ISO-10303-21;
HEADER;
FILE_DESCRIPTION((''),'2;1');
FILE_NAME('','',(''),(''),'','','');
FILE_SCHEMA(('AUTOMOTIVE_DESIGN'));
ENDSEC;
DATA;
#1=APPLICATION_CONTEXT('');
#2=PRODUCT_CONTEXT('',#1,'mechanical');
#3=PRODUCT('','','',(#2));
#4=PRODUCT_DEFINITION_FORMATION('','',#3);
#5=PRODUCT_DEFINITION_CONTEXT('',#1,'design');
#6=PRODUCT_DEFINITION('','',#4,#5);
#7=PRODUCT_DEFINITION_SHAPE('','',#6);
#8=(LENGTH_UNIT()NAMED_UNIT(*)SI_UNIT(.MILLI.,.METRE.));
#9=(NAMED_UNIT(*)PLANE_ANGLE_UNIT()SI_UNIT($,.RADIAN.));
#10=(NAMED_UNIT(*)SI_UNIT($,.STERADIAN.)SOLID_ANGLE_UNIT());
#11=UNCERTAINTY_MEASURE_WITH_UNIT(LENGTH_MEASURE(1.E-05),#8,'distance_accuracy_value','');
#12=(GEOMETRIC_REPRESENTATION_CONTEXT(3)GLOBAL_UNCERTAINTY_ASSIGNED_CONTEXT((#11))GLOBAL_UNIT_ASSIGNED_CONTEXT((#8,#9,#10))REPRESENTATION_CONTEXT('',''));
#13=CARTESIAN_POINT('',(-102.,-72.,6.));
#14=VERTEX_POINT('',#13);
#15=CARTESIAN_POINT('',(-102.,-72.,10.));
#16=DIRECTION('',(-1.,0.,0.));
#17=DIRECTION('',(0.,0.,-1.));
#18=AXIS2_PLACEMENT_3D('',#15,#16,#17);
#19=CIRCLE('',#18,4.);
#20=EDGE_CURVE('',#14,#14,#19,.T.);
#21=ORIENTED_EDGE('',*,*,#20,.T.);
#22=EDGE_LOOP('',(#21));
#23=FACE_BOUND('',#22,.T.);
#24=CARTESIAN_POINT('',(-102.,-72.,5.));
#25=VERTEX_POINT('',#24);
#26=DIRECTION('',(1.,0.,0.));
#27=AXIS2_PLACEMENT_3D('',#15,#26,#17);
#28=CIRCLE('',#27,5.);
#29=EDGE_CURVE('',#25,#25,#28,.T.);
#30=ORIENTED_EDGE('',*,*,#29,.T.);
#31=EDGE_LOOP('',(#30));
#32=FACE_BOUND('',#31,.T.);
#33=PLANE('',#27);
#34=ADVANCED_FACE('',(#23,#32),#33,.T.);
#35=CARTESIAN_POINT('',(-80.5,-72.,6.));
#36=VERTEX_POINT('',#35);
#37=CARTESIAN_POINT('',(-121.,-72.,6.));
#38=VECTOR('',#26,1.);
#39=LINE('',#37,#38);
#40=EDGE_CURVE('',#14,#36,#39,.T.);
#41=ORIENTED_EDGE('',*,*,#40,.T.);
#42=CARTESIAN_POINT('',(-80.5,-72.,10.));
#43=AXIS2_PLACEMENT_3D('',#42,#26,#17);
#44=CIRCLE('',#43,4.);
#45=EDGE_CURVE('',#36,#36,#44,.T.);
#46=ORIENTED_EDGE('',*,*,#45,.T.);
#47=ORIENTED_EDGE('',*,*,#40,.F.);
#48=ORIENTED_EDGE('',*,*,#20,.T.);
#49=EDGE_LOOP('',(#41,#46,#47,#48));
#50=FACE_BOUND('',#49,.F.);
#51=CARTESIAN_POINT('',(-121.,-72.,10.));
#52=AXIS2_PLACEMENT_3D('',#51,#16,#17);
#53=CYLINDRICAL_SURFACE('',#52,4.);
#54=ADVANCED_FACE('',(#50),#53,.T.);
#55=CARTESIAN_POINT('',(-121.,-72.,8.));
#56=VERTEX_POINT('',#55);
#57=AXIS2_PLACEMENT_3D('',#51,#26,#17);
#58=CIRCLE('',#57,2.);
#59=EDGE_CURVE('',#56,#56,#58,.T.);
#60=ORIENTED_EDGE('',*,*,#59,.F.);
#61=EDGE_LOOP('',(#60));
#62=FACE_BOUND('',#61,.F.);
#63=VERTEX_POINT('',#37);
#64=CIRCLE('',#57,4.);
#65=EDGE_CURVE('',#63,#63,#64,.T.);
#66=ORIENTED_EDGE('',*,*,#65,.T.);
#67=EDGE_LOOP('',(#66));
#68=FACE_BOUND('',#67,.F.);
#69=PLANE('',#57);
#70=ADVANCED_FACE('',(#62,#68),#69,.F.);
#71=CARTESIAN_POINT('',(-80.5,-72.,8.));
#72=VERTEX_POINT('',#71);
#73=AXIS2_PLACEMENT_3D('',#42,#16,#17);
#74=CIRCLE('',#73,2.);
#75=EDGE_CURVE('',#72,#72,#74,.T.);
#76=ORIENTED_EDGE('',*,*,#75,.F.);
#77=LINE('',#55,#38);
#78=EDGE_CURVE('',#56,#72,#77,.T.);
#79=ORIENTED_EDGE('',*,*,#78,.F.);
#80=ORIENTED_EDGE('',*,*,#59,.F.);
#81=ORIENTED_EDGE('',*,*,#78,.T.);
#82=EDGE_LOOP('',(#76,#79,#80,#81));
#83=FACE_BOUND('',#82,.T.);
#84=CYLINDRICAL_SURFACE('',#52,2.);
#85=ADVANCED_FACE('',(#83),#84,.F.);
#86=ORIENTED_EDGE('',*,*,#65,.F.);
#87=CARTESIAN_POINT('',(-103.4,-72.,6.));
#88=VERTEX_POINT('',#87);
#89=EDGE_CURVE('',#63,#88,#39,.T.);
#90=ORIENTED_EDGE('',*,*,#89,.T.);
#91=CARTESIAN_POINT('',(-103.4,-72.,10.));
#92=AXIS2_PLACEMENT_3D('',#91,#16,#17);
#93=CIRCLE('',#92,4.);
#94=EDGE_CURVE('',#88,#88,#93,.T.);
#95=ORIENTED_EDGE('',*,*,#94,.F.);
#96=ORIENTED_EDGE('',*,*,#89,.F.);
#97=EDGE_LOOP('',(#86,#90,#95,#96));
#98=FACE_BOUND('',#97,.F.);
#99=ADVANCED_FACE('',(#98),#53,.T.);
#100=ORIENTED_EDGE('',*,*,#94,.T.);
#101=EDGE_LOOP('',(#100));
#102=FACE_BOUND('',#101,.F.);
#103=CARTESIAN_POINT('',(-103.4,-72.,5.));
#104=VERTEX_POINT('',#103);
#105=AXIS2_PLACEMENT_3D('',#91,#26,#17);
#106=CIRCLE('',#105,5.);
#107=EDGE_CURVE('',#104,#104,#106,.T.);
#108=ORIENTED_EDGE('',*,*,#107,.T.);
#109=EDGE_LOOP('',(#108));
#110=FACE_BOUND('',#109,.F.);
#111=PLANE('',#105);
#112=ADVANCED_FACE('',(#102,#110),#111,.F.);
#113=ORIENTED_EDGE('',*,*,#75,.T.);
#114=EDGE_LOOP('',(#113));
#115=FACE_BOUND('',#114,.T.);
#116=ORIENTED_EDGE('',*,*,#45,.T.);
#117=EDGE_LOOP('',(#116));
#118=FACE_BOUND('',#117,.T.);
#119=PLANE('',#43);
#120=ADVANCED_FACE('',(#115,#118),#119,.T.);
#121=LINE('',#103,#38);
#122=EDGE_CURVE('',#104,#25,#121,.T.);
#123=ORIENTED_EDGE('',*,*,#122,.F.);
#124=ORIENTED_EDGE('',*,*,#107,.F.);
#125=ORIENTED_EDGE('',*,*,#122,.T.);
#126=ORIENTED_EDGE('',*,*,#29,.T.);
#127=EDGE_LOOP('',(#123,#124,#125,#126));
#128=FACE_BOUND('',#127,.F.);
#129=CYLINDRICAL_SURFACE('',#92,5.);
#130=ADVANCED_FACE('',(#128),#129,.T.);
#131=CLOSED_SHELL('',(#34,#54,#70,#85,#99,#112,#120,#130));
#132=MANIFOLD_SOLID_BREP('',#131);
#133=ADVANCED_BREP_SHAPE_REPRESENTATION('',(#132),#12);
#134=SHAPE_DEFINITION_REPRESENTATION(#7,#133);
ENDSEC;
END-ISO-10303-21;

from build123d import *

# Parameters (mm, degrees)
CYLINDER145_R     = 2
CYLINDER145_DEPTH = 47.8
CYLINDER106_R     = 5
CYLINDER106_DEPTH = 1.4
CYLINDER093_R     = 4
CYLINDER093_DEPTH = 40.5


with BuildPart() as cylinder145:
    # Cylinder145 → Cylinder145 (new body)
    with BuildSketch(Plane(origin=(-125, -82, 10), x_dir=(0, 0, -1), z_dir=(1, 0, 0))):
        Circle(CYLINDER145_R)
    extrude(amount=CYLINDER145_DEPTH)


with BuildPart() as cylinder106:
    # Cylinder106 → Cylinder106 (new body)
    with BuildSketch(Plane(origin=(-107.4, -82, 10), x_dir=(0, 0, -1), z_dir=(1, 0, 0))):
        Circle(CYLINDER106_R)
    extrude(amount=CYLINDER106_DEPTH)


with BuildPart() as cut098:
    # Cylinder093 → Cylinder093 (new body)
    with BuildSketch(Plane(origin=(-125, -82, 10), x_dir=(0, 0, -1), z_dir=(1, 0, 0))):
        Circle(CYLINDER093_R)
    extrude(amount=CYLINDER093_DEPTH)

    # Fusion144: union Cylinder106
    add(cylinder106.part)

    # Cut098: cut Cylinder145
    add(cylinder145.part, mode=Mode.SUBTRACT)


with BuildPart() as cut098_1:
    # Cut098 placement: moved
    add(cut098.part.moved(Location((4, 10, 0))))


solid = cut098_1.part
